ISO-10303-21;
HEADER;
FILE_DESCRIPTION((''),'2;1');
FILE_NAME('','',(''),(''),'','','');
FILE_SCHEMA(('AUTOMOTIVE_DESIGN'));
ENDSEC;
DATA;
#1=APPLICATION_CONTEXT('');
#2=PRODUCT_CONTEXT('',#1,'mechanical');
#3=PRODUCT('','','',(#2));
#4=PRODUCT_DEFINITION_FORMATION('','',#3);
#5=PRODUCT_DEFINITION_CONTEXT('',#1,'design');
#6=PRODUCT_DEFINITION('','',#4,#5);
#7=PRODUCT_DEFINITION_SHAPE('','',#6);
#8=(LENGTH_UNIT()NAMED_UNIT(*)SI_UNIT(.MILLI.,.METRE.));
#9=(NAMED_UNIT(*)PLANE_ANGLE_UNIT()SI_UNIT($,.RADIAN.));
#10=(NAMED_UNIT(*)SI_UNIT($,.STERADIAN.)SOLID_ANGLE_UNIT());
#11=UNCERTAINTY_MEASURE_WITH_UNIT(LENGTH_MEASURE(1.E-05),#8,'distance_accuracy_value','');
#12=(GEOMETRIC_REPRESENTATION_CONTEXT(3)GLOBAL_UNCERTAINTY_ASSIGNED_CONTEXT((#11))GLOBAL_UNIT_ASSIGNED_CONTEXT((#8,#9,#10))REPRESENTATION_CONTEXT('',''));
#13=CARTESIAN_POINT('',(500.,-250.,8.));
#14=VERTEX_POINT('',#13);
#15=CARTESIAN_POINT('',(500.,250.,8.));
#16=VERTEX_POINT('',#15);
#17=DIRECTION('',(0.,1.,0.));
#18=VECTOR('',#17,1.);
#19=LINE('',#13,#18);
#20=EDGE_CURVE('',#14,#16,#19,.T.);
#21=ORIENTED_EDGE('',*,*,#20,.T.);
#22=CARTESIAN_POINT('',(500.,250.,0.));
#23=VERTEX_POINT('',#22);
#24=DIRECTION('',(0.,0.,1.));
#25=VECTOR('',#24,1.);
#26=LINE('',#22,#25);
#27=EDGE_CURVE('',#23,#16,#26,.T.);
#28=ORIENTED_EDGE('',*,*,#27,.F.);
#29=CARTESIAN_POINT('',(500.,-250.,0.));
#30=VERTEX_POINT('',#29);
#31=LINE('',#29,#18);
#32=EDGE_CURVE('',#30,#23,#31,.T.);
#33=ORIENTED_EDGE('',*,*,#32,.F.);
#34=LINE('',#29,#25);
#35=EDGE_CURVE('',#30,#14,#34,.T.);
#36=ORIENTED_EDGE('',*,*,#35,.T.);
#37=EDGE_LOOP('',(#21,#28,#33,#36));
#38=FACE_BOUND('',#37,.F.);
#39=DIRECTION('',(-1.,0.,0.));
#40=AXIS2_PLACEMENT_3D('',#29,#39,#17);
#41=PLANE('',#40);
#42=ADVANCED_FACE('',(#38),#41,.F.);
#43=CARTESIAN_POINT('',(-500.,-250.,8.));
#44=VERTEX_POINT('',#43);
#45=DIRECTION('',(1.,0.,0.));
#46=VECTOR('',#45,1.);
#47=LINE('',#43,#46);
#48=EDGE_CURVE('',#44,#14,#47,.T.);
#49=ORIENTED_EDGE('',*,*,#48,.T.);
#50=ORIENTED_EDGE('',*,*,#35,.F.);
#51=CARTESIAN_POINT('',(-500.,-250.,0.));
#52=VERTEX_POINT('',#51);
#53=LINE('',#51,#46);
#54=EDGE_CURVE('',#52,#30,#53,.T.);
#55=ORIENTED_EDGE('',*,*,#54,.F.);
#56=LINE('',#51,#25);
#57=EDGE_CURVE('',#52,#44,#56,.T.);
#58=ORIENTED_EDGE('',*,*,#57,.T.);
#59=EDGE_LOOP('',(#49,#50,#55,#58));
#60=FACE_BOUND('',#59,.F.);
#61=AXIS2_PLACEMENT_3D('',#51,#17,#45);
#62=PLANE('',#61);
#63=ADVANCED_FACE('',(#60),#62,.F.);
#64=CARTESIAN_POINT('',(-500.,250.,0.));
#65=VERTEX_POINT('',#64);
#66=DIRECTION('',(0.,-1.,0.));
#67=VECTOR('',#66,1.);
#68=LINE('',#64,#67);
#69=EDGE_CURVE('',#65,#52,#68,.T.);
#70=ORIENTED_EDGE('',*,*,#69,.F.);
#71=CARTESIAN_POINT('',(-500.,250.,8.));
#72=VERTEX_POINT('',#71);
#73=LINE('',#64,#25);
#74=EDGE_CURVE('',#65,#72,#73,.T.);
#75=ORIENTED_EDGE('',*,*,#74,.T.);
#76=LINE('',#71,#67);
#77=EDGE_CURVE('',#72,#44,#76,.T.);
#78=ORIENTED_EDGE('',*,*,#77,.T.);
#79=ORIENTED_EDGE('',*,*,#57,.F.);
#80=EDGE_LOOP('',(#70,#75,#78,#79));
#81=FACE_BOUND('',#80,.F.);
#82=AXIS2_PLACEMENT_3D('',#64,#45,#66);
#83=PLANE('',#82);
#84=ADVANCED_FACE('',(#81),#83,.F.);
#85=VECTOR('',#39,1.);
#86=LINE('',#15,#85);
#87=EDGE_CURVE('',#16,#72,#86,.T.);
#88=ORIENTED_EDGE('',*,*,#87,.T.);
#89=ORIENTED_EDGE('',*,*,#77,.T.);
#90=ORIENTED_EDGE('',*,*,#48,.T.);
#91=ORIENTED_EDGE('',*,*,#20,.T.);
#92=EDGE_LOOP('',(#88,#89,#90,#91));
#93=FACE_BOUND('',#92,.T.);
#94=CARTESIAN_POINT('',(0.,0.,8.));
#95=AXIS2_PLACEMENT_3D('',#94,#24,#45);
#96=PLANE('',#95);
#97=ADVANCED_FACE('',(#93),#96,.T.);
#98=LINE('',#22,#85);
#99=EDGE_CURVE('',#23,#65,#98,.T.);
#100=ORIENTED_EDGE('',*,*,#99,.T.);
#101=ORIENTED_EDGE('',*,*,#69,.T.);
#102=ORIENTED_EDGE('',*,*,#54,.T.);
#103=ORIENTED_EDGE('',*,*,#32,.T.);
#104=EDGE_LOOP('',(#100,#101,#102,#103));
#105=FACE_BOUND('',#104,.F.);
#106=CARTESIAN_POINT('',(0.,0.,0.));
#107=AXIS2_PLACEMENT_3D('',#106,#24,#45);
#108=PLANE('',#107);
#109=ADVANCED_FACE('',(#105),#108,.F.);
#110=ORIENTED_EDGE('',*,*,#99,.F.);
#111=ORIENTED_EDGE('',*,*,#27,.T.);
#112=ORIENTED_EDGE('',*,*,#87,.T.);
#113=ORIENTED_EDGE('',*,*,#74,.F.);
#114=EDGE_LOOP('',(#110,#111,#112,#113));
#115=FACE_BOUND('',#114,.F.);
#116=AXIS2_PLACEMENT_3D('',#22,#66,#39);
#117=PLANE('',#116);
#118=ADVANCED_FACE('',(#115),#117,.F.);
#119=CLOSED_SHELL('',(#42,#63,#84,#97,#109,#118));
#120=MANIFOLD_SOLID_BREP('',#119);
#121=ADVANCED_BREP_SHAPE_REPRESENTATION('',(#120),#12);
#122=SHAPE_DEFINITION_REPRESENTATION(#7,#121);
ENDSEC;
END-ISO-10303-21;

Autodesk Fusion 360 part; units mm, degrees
sketch "Schizzo1" plane through (0, 0, 0) normal (0, 0, 1) x (1, 0, 0)
  line L0 (500, 250) -> (-500, 250)
  line L1 (-500, 250) -> (-500, -250)
  line L2 (-500, -250) -> (500, -250)
  line L3 (500, -250) -> (500, 250)
  line L4 (500, 250) -> (-500, -250) construction
  line L5 (-500, 250) -> (500, -250) construction
  dimension "d1" = 500
  dimension "d2" = 1000
extrude "Estrusione1" add sketch "Schizzo1" along normal blind 8
